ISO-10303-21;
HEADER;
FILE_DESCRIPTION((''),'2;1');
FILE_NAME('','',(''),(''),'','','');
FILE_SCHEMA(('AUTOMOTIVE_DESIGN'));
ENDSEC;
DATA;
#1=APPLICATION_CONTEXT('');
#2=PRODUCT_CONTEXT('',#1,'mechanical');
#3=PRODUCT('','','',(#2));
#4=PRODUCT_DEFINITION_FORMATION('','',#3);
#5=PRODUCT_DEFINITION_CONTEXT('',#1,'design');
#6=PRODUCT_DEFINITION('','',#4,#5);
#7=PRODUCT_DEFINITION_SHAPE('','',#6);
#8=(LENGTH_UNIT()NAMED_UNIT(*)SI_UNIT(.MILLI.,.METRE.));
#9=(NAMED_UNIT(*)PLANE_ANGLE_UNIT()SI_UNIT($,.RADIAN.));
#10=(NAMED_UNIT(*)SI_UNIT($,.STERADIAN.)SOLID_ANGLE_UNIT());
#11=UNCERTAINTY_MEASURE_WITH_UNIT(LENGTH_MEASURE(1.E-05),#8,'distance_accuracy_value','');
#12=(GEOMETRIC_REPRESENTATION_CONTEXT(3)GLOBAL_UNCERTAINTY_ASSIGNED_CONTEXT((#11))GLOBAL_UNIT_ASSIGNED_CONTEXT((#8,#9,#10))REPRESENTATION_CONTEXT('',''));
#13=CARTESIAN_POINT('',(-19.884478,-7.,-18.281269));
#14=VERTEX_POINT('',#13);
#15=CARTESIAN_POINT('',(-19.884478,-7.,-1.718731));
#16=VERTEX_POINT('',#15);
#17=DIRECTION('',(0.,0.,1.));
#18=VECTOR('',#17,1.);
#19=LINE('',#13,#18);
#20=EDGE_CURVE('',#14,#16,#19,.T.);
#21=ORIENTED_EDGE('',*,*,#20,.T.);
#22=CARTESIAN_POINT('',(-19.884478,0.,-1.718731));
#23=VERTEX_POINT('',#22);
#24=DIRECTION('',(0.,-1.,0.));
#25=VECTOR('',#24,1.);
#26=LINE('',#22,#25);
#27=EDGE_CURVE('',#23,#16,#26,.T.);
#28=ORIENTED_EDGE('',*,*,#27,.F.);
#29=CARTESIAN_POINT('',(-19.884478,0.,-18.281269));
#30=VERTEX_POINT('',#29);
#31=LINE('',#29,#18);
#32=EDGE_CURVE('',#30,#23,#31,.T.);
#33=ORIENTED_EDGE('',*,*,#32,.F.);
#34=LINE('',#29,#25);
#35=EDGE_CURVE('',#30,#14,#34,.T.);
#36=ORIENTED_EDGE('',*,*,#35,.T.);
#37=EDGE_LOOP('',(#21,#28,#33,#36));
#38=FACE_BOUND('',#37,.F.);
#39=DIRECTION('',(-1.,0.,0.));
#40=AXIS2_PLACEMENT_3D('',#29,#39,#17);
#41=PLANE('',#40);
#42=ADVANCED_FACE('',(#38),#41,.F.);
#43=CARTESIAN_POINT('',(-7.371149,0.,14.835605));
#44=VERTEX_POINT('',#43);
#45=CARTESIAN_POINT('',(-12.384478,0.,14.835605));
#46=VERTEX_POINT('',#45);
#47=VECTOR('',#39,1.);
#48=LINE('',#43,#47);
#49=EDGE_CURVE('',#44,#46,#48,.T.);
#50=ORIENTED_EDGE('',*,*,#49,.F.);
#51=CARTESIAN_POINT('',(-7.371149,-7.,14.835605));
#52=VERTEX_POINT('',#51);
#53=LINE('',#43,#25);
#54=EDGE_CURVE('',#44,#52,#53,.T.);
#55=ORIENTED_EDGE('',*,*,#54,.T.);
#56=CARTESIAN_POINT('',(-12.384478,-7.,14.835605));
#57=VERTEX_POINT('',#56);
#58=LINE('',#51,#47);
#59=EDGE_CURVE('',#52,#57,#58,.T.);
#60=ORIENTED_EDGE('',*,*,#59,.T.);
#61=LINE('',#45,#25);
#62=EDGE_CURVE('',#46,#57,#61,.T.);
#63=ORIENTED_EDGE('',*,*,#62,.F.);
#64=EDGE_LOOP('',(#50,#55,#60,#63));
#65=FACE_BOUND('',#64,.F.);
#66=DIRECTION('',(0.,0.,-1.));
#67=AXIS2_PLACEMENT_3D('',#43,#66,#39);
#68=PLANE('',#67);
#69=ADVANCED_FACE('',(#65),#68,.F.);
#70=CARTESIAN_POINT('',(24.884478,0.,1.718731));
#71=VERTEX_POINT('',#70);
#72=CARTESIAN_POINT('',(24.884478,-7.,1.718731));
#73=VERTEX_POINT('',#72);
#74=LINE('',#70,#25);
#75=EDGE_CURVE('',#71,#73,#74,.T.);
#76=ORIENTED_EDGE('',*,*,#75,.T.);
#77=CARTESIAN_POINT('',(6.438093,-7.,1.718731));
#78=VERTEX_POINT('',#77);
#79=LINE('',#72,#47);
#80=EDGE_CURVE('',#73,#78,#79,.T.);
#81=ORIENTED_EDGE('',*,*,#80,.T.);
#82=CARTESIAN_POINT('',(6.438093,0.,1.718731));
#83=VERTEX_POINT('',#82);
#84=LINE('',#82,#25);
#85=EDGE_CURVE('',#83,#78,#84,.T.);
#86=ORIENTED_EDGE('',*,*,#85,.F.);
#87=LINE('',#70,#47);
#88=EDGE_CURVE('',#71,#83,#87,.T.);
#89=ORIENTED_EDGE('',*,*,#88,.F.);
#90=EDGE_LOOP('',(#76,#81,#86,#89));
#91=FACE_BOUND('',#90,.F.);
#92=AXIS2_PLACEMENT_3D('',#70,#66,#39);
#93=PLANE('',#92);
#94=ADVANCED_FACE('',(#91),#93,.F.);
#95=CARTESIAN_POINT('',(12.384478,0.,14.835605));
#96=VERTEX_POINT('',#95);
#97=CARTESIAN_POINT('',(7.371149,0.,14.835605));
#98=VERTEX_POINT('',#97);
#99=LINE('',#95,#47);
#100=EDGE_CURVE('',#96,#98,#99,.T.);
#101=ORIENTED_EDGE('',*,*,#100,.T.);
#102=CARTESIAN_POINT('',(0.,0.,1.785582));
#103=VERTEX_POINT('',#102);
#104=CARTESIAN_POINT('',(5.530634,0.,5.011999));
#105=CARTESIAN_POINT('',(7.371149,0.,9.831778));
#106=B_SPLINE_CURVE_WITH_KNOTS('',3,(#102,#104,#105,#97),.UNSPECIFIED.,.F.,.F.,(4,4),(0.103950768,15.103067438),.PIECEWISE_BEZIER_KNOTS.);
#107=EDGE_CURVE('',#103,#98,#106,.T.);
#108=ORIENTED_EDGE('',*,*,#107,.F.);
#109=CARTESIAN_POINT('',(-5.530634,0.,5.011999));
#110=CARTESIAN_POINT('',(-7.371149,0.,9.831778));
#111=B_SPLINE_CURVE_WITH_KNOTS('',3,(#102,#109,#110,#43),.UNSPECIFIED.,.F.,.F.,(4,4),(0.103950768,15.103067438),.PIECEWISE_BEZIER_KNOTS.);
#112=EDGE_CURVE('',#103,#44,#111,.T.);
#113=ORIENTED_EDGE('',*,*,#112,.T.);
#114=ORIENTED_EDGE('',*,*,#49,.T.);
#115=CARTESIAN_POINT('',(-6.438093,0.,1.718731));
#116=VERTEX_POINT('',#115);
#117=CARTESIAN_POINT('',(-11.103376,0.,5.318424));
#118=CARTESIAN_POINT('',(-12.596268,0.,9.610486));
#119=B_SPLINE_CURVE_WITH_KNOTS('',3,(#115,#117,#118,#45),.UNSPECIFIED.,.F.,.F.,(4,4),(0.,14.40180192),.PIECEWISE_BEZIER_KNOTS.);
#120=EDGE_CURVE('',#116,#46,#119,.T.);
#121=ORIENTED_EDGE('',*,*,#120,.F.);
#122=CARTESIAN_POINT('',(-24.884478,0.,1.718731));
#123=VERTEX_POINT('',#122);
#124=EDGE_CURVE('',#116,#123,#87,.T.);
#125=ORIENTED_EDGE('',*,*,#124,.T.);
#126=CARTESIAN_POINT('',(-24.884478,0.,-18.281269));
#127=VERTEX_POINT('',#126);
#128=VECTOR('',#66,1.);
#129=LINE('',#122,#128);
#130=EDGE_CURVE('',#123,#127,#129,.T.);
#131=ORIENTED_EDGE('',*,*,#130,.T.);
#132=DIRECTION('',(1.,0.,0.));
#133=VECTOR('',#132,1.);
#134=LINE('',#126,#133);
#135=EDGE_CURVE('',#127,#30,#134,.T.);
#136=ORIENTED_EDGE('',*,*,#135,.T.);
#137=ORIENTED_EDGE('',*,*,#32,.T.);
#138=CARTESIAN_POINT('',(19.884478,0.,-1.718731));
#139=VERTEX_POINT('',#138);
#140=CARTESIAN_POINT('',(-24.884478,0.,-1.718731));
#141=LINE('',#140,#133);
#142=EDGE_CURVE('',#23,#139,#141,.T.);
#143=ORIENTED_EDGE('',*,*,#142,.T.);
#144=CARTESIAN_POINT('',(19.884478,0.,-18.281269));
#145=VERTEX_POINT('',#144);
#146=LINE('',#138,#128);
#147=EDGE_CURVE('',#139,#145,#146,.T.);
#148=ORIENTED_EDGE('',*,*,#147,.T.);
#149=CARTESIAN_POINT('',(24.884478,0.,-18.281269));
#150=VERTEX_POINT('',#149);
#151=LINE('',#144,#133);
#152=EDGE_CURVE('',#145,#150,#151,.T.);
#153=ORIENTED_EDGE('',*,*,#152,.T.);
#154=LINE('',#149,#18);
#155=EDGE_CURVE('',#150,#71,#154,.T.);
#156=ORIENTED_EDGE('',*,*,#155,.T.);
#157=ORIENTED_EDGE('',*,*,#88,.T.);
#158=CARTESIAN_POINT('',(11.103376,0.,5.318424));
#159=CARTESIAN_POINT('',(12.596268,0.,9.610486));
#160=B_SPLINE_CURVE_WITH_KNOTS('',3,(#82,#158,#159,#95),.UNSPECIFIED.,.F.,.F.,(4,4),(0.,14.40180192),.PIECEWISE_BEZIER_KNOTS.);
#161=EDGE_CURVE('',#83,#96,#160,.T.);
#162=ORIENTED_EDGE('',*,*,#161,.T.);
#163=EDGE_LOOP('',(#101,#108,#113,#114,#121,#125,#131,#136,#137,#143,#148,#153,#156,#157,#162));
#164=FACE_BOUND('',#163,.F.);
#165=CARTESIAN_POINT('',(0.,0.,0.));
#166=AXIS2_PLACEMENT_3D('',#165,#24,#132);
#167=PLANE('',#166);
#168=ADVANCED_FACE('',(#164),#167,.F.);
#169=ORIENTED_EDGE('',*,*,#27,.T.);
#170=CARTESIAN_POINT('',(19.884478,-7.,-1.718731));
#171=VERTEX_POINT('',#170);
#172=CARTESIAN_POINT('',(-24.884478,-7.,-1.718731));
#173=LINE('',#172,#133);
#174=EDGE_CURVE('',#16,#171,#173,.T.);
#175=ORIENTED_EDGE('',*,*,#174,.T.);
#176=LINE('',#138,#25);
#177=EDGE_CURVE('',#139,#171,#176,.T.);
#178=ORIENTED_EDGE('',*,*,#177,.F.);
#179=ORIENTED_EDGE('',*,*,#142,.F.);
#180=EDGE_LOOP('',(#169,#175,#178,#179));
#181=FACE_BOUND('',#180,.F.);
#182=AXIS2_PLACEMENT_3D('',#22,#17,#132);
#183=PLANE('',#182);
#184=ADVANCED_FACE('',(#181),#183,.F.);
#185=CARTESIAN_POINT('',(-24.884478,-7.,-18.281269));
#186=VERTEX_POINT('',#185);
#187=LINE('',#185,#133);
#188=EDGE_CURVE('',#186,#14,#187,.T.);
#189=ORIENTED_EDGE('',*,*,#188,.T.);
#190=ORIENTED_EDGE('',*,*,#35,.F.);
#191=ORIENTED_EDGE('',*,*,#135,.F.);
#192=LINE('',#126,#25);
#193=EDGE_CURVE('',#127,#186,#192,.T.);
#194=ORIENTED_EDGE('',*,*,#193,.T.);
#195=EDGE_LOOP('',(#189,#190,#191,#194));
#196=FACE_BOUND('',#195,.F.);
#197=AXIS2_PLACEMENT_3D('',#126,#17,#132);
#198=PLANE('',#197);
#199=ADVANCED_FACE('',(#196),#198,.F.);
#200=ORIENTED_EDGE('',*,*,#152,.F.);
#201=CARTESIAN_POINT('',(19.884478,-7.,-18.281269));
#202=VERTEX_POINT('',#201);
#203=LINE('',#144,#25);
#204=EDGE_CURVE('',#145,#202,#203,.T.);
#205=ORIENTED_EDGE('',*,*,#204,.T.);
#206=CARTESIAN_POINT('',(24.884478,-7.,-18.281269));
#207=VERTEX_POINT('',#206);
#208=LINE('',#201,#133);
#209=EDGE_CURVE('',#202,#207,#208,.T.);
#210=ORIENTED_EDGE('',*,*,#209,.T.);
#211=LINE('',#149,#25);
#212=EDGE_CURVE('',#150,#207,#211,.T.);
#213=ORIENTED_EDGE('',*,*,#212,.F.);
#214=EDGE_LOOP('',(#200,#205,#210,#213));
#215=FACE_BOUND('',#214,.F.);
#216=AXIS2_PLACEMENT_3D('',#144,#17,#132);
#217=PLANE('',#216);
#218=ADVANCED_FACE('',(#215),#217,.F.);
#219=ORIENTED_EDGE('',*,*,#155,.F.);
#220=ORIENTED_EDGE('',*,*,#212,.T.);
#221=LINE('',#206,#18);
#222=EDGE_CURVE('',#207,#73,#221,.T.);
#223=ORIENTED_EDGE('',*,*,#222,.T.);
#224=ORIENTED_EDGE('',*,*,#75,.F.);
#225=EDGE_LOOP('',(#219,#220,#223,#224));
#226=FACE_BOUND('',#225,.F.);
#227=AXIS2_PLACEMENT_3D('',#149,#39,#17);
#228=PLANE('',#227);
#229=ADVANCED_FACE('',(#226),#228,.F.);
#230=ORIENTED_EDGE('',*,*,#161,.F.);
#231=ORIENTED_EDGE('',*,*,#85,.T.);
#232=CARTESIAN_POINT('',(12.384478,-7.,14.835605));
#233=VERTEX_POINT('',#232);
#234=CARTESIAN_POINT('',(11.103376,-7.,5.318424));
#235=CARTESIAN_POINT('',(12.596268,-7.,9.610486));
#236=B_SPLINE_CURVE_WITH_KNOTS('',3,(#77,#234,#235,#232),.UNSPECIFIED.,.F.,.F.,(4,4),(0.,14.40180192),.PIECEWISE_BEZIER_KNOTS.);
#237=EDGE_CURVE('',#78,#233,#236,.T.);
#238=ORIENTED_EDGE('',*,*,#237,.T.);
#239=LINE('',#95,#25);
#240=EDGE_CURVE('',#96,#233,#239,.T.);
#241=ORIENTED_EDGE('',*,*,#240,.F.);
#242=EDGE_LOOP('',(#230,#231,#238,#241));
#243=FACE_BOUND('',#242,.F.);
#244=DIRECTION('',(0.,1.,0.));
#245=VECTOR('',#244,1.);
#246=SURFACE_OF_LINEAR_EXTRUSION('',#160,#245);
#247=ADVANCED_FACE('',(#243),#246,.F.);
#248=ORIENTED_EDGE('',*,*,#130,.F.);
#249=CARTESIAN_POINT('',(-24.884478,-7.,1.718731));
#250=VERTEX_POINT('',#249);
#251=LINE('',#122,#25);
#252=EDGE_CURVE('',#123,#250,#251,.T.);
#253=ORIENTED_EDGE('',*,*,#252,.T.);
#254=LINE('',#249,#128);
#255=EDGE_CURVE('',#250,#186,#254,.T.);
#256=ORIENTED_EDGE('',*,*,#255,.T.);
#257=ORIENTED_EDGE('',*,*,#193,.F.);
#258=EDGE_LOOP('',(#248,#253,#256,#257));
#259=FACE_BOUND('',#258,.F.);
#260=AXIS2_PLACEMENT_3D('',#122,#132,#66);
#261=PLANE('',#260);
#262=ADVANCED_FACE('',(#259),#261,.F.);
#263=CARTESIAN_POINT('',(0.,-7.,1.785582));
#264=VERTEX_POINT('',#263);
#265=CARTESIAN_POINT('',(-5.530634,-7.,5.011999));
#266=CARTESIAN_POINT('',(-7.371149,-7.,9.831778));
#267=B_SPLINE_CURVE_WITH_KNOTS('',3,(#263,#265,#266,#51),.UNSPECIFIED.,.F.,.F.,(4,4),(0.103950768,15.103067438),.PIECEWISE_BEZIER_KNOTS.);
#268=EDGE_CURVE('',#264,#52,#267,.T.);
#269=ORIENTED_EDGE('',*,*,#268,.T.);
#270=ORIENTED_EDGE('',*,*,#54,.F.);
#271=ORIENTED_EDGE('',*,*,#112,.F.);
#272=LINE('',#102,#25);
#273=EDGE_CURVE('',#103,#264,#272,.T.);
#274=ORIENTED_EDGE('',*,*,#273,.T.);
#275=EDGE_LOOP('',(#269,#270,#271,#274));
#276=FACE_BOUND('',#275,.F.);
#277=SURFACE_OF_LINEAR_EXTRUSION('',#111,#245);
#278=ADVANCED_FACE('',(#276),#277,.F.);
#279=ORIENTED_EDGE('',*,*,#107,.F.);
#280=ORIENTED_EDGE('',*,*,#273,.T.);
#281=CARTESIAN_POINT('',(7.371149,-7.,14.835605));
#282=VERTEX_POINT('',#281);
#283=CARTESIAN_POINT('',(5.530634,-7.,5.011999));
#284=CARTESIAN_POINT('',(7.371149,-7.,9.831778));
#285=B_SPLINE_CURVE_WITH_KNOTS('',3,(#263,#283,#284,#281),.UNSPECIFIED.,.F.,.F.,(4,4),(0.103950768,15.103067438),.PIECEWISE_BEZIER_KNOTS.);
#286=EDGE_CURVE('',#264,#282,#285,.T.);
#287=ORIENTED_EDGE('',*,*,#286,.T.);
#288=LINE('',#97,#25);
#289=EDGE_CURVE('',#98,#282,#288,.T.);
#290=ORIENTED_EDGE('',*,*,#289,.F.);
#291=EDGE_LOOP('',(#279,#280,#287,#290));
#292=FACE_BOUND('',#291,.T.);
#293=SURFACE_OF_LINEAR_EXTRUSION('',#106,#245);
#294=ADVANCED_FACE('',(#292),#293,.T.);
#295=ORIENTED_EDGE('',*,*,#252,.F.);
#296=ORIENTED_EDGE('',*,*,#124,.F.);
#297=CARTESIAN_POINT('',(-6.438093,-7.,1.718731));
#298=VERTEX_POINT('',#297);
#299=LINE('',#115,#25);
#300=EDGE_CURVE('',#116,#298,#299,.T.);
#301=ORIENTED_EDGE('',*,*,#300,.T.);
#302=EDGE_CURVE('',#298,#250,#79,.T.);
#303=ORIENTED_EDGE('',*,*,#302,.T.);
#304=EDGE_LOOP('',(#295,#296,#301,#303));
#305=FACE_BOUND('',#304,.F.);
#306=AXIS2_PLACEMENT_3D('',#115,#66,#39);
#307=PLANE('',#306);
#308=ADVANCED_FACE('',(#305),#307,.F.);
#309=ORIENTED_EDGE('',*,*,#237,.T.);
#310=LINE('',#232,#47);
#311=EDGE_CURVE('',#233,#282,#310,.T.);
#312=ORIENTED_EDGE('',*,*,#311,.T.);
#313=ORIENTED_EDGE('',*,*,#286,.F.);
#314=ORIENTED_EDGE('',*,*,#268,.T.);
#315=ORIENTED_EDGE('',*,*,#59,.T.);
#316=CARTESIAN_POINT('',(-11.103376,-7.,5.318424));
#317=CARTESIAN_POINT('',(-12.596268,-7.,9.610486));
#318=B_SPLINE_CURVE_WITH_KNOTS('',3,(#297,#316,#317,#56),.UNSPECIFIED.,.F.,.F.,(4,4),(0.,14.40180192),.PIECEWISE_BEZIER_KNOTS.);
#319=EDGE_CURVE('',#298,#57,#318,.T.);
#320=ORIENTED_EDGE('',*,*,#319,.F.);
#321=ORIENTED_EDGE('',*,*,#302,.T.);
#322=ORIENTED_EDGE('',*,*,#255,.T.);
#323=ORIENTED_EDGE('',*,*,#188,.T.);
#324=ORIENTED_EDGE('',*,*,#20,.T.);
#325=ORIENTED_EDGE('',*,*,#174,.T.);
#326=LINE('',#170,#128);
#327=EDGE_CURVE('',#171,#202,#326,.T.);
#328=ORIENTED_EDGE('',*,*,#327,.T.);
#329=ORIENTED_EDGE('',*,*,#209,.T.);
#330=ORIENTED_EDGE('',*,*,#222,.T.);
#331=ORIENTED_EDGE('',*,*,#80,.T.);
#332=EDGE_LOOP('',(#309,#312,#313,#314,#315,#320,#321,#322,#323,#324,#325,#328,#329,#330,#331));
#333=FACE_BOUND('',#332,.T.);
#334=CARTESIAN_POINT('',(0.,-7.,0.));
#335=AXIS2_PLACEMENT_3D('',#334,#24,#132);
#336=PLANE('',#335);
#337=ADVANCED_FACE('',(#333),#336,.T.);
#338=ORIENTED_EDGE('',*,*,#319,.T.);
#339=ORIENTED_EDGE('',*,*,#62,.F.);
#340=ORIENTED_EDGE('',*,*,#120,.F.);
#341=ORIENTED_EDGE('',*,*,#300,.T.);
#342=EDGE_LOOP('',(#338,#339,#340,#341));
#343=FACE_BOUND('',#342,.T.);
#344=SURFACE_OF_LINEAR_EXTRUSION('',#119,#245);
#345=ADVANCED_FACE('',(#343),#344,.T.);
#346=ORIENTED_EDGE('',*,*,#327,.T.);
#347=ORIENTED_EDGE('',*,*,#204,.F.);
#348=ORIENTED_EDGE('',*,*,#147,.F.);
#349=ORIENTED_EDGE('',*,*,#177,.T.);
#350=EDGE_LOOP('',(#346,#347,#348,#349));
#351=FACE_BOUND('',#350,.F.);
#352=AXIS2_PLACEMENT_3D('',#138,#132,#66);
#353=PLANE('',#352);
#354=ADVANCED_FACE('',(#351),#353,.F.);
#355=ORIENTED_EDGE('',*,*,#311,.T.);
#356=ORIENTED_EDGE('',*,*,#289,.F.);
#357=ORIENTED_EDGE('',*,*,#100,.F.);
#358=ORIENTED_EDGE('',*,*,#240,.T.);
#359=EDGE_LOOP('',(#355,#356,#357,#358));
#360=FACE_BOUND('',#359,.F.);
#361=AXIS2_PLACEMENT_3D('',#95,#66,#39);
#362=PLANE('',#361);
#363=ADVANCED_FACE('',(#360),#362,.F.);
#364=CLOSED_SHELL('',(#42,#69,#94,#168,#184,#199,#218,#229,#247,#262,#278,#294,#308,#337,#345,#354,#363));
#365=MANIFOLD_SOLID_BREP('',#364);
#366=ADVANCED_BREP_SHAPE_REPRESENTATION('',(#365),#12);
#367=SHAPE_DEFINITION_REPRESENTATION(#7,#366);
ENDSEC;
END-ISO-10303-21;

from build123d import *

# Parameters (mm, degrees)
F1_DEPTH = 7


with BuildPart() as f1:
    # F0 (on Front) → F1 (new body)
    with BuildSketch(Plane.XZ):
        Polygon((-0.1155218482, -1.7187305692), (0.1155218482, -1.7187305692), (19.8844781518, -1.7187305692), (24.8844781518, -1.7187305692), (24.8844781518, 1.7187305692), (6.4380932599, 1.7187305692), (0.1155218482, 1.7187305692), (-0.1155218482, 1.7187305692), (-6.4380932599, 1.7187305692), (-24.8844781518, 1.7187305692), (-24.8844781518, -1.7187305692), (-19.8844781518, -1.7187305692), align=None)
        Polygon((24.8844781518, -1.7187305692), (19.8844781518, -1.7187305692), (19.8844781518, -2.12807746), (19.8844781518, -18.2812694308), (24.8844781518, -18.2812694308), align=None)
        Polygon((-19.8844781518, -2.12807746), (-19.8844781518, -1.7187305692), (-24.8844781518, -1.7187305692), (-24.8844781518, -18.2812694308), (-19.8844781518, -18.2812694308), align=None)
        with BuildLine():
            Line((0.1155218482, 1.7187305692), (6.4380932599, 1.7187305692))
            add(Edge.make_bspline(
                [(6.4380932599, 1.7187305692), (11.1033758149, 5.3184241988), (12.5962682068, 9.6104862168), (12.3844781518, 14.8356053978)],
                knots=[0, 0, 0, 0, 14.4018019203, 14.4018019203, 14.4018019203, 14.4018019203], degree=3))
            Line((12.3844781518, 14.8356053978), (7.3711490259, 14.8356053978))
            add(Edge.make_bspline(
                [(0, 1.7855821599), (5.5306343269, 5.0119990558), (7.3711490259, 9.8317778697), (7.3711490259, 14.8356053978)],
                knots=[0.1039507684, 0.1039507684, 0.1039507684, 0.1039507684, 15.1030674383, 15.1030674383, 15.1030674383, 15.1030674383], degree=3))
            add(Edge.make_bspline(
                [(0.1155218482, 1.7187305692), (0.0768369139, 1.7409375888), (0.0383298364, 1.7632216088), (0, 1.7855821599)],
                knots=[0, 0, 0, 0, 0.1039507684, 0.1039507684, 0.1039507684, 0.1039507684], degree=3))
        make_face()
        with BuildLine():
            add(Edge.make_bspline(
                [(-6.4380932599, 1.7187305692), (-11.1033758149, 5.3184241988), (-12.5962682068, 9.6104862168), (-12.3844781518, 14.8356053978)],
                knots=[0, 0, 0, 0, 14.4018019203, 14.4018019203, 14.4018019203, 14.4018019203], degree=3))
            Line((-6.4380932599, 1.7187305692), (-0.1155218482, 1.7187305692))
            add(Edge.make_bspline(
                [(-0.1155218482, 1.7187305692), (-0.0768369139, 1.7409375888), (-0.0383298364, 1.7632216088), (0, 1.7855821599)],
                knots=[0, 0, 0, 0, 0.1039507684, 0.1039507684, 0.1039507684, 0.1039507684], degree=3))
            add(Edge.make_bspline(
                [(0, 1.7855821599), (-5.5306343269, 5.0119990558), (-7.3711490259, 9.8317778697), (-7.3711490259, 14.8356053978)],
                knots=[0.1039507684, 0.1039507684, 0.1039507684, 0.1039507684, 15.1030674383, 15.1030674383, 15.1030674383, 15.1030674383], degree=3))
            Line((-7.3711490259, 14.8356053978), (-12.3844781518, 14.8356053978))
        make_face()
        with BuildLine():
            Line((-0.1155218482, 1.7187305692), (0.1155218482, 1.7187305692))
            add(Edge.make_bspline(
                [(0.1155218482, 1.7187305692), (0.0768369139, 1.7409375888), (0.0383298364, 1.7632216088), (0, 1.7855821599)],
                knots=[0, 0, 0, 0, 0.1039507684, 0.1039507684, 0.1039507684, 0.1039507684], degree=3))
            add(Edge.make_bspline(
                [(-0.1155218482, 1.7187305692), (-0.0768369139, 1.7409375888), (-0.0383298364, 1.7632216088), (0, 1.7855821599)],
                knots=[0, 0, 0, 0, 0.1039507684, 0.1039507684, 0.1039507684, 0.1039507684], degree=3))
        make_face()
    extrude(amount=F1_DEPTH)


solid = f1.part
